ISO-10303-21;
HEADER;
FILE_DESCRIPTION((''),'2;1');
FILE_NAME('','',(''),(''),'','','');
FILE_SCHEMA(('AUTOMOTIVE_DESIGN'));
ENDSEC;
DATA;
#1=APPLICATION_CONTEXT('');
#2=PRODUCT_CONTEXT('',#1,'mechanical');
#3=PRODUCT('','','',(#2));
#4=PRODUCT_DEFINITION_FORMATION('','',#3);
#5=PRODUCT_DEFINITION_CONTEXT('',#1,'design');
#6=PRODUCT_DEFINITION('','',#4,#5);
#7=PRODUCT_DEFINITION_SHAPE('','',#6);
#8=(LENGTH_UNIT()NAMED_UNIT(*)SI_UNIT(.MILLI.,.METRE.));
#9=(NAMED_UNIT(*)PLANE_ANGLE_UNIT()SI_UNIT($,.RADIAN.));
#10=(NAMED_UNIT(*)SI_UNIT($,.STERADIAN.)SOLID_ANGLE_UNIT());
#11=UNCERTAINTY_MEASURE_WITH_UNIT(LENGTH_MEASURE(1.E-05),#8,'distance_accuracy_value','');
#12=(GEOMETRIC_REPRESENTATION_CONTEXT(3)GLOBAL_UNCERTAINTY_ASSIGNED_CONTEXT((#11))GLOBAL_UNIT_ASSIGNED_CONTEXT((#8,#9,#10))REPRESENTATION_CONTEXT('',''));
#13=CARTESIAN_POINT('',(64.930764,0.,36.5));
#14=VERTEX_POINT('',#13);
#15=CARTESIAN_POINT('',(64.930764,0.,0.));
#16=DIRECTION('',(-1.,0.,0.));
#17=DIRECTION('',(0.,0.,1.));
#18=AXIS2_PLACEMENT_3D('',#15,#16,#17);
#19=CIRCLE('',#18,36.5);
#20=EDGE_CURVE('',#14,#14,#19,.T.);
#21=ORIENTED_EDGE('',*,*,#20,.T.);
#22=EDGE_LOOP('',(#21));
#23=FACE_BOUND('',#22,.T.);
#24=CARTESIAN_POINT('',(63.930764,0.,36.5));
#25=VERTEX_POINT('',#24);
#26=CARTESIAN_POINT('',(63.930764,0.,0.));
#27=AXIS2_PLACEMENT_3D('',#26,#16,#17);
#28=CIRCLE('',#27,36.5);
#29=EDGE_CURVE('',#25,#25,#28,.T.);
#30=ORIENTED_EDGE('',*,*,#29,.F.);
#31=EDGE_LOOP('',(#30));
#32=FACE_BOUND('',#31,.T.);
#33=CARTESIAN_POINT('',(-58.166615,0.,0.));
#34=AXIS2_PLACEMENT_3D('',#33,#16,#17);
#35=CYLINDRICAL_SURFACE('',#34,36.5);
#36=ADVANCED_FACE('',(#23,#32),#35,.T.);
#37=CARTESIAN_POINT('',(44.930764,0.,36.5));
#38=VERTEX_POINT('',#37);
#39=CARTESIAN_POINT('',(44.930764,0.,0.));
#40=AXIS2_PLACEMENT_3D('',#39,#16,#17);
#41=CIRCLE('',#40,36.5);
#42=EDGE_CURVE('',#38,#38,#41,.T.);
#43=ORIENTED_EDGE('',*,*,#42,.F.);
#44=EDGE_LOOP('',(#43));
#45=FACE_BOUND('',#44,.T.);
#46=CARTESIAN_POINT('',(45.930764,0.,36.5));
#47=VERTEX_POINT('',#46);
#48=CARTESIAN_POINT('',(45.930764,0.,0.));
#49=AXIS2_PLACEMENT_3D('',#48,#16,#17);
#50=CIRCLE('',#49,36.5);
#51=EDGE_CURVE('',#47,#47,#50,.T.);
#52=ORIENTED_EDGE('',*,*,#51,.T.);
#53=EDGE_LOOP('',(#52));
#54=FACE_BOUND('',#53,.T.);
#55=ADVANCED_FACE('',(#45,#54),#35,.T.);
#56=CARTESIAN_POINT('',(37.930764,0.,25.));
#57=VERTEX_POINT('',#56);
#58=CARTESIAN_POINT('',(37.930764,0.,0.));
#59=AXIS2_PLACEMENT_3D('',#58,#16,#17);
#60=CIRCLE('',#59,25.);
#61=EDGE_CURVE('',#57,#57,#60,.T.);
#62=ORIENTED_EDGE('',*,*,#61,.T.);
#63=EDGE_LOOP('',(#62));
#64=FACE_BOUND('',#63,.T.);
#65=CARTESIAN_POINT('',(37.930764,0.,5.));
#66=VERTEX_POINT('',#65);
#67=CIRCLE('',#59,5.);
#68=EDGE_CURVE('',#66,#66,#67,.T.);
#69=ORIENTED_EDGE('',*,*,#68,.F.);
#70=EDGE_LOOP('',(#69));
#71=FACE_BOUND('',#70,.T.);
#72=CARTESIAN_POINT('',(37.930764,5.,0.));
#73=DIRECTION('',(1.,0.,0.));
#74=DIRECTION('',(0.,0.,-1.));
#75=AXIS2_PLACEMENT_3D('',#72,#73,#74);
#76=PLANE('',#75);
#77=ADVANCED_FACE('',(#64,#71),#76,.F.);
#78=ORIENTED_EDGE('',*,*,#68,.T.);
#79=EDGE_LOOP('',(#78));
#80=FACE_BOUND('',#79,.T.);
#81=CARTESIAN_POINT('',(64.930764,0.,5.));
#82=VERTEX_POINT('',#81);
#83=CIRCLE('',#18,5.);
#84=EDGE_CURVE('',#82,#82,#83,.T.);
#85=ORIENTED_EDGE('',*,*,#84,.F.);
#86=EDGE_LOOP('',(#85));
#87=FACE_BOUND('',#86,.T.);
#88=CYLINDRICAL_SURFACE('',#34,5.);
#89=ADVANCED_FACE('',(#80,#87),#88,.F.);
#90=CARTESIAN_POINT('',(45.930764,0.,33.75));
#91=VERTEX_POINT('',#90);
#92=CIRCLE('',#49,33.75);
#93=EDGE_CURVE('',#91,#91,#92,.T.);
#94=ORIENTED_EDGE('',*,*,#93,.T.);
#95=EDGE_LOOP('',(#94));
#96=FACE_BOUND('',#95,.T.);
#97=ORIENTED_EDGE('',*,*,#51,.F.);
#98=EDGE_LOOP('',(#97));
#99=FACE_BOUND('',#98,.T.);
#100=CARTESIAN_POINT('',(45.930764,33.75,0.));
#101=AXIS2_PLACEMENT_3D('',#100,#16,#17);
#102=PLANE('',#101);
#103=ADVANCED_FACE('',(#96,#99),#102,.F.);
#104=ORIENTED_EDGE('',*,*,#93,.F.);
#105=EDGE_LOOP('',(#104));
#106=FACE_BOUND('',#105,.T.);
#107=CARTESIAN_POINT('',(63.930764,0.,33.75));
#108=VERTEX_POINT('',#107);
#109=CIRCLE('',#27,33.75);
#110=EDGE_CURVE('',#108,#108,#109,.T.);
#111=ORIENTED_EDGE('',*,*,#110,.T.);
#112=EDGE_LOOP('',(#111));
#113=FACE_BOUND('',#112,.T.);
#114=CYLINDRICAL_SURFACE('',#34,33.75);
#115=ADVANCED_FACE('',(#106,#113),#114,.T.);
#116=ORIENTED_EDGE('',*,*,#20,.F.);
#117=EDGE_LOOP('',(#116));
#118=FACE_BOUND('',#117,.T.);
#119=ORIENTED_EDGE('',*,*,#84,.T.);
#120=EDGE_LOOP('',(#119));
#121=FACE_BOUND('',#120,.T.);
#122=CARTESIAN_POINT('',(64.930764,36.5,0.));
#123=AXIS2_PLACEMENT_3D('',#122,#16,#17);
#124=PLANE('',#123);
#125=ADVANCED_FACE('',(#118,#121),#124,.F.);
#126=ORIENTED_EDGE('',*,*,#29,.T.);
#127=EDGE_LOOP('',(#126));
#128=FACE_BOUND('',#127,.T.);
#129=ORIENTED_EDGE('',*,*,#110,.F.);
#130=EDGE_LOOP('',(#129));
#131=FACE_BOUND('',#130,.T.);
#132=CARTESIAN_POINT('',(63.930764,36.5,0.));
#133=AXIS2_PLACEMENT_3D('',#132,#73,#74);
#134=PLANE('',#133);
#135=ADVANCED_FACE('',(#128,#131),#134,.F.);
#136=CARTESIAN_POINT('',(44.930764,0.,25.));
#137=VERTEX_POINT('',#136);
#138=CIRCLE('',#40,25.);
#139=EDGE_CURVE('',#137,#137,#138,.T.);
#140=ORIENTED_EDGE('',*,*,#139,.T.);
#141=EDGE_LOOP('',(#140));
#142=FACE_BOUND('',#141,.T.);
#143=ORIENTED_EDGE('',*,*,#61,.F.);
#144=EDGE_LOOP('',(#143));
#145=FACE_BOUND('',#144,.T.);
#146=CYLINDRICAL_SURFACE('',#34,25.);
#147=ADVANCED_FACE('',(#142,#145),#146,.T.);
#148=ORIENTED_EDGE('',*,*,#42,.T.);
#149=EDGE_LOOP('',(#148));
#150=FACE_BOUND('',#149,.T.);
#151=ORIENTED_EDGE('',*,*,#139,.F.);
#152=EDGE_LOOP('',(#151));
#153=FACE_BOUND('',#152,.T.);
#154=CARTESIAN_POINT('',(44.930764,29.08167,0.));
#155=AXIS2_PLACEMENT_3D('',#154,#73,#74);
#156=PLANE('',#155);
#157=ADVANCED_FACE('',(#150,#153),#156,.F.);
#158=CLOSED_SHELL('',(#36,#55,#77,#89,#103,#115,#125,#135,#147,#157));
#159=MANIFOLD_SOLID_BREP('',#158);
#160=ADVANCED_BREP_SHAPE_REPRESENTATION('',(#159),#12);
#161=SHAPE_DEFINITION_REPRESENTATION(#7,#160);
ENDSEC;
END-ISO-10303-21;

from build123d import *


with BuildPart() as part:
    # Sketch1 → Revolve1 (revolve)
    with BuildSketch(Plane.XY, mode=Mode.PRIVATE) as revolve1_sk:
        Polygon((64.930764312, 36.5), (63.930764312, 36.5), (63.930764312, 33.75), (45.930764312, 33.75), (45.930764312, 36.5), (44.930764312, 36.5), (44.930764312, 29.08167039), (44.930764312, 25), (37.930764312, 25), (37.930764312, 5), (44.930764312, 5), (64.930764312, 5), align=None)
    revolve(revolve1_sk.sketch.rotate(Axis((-58.16661515, 0, 0), (1, 0, 0)), 90), axis=Axis((-58.16661515, 0, 0), (1, 0, 0)))


solid = part.part
